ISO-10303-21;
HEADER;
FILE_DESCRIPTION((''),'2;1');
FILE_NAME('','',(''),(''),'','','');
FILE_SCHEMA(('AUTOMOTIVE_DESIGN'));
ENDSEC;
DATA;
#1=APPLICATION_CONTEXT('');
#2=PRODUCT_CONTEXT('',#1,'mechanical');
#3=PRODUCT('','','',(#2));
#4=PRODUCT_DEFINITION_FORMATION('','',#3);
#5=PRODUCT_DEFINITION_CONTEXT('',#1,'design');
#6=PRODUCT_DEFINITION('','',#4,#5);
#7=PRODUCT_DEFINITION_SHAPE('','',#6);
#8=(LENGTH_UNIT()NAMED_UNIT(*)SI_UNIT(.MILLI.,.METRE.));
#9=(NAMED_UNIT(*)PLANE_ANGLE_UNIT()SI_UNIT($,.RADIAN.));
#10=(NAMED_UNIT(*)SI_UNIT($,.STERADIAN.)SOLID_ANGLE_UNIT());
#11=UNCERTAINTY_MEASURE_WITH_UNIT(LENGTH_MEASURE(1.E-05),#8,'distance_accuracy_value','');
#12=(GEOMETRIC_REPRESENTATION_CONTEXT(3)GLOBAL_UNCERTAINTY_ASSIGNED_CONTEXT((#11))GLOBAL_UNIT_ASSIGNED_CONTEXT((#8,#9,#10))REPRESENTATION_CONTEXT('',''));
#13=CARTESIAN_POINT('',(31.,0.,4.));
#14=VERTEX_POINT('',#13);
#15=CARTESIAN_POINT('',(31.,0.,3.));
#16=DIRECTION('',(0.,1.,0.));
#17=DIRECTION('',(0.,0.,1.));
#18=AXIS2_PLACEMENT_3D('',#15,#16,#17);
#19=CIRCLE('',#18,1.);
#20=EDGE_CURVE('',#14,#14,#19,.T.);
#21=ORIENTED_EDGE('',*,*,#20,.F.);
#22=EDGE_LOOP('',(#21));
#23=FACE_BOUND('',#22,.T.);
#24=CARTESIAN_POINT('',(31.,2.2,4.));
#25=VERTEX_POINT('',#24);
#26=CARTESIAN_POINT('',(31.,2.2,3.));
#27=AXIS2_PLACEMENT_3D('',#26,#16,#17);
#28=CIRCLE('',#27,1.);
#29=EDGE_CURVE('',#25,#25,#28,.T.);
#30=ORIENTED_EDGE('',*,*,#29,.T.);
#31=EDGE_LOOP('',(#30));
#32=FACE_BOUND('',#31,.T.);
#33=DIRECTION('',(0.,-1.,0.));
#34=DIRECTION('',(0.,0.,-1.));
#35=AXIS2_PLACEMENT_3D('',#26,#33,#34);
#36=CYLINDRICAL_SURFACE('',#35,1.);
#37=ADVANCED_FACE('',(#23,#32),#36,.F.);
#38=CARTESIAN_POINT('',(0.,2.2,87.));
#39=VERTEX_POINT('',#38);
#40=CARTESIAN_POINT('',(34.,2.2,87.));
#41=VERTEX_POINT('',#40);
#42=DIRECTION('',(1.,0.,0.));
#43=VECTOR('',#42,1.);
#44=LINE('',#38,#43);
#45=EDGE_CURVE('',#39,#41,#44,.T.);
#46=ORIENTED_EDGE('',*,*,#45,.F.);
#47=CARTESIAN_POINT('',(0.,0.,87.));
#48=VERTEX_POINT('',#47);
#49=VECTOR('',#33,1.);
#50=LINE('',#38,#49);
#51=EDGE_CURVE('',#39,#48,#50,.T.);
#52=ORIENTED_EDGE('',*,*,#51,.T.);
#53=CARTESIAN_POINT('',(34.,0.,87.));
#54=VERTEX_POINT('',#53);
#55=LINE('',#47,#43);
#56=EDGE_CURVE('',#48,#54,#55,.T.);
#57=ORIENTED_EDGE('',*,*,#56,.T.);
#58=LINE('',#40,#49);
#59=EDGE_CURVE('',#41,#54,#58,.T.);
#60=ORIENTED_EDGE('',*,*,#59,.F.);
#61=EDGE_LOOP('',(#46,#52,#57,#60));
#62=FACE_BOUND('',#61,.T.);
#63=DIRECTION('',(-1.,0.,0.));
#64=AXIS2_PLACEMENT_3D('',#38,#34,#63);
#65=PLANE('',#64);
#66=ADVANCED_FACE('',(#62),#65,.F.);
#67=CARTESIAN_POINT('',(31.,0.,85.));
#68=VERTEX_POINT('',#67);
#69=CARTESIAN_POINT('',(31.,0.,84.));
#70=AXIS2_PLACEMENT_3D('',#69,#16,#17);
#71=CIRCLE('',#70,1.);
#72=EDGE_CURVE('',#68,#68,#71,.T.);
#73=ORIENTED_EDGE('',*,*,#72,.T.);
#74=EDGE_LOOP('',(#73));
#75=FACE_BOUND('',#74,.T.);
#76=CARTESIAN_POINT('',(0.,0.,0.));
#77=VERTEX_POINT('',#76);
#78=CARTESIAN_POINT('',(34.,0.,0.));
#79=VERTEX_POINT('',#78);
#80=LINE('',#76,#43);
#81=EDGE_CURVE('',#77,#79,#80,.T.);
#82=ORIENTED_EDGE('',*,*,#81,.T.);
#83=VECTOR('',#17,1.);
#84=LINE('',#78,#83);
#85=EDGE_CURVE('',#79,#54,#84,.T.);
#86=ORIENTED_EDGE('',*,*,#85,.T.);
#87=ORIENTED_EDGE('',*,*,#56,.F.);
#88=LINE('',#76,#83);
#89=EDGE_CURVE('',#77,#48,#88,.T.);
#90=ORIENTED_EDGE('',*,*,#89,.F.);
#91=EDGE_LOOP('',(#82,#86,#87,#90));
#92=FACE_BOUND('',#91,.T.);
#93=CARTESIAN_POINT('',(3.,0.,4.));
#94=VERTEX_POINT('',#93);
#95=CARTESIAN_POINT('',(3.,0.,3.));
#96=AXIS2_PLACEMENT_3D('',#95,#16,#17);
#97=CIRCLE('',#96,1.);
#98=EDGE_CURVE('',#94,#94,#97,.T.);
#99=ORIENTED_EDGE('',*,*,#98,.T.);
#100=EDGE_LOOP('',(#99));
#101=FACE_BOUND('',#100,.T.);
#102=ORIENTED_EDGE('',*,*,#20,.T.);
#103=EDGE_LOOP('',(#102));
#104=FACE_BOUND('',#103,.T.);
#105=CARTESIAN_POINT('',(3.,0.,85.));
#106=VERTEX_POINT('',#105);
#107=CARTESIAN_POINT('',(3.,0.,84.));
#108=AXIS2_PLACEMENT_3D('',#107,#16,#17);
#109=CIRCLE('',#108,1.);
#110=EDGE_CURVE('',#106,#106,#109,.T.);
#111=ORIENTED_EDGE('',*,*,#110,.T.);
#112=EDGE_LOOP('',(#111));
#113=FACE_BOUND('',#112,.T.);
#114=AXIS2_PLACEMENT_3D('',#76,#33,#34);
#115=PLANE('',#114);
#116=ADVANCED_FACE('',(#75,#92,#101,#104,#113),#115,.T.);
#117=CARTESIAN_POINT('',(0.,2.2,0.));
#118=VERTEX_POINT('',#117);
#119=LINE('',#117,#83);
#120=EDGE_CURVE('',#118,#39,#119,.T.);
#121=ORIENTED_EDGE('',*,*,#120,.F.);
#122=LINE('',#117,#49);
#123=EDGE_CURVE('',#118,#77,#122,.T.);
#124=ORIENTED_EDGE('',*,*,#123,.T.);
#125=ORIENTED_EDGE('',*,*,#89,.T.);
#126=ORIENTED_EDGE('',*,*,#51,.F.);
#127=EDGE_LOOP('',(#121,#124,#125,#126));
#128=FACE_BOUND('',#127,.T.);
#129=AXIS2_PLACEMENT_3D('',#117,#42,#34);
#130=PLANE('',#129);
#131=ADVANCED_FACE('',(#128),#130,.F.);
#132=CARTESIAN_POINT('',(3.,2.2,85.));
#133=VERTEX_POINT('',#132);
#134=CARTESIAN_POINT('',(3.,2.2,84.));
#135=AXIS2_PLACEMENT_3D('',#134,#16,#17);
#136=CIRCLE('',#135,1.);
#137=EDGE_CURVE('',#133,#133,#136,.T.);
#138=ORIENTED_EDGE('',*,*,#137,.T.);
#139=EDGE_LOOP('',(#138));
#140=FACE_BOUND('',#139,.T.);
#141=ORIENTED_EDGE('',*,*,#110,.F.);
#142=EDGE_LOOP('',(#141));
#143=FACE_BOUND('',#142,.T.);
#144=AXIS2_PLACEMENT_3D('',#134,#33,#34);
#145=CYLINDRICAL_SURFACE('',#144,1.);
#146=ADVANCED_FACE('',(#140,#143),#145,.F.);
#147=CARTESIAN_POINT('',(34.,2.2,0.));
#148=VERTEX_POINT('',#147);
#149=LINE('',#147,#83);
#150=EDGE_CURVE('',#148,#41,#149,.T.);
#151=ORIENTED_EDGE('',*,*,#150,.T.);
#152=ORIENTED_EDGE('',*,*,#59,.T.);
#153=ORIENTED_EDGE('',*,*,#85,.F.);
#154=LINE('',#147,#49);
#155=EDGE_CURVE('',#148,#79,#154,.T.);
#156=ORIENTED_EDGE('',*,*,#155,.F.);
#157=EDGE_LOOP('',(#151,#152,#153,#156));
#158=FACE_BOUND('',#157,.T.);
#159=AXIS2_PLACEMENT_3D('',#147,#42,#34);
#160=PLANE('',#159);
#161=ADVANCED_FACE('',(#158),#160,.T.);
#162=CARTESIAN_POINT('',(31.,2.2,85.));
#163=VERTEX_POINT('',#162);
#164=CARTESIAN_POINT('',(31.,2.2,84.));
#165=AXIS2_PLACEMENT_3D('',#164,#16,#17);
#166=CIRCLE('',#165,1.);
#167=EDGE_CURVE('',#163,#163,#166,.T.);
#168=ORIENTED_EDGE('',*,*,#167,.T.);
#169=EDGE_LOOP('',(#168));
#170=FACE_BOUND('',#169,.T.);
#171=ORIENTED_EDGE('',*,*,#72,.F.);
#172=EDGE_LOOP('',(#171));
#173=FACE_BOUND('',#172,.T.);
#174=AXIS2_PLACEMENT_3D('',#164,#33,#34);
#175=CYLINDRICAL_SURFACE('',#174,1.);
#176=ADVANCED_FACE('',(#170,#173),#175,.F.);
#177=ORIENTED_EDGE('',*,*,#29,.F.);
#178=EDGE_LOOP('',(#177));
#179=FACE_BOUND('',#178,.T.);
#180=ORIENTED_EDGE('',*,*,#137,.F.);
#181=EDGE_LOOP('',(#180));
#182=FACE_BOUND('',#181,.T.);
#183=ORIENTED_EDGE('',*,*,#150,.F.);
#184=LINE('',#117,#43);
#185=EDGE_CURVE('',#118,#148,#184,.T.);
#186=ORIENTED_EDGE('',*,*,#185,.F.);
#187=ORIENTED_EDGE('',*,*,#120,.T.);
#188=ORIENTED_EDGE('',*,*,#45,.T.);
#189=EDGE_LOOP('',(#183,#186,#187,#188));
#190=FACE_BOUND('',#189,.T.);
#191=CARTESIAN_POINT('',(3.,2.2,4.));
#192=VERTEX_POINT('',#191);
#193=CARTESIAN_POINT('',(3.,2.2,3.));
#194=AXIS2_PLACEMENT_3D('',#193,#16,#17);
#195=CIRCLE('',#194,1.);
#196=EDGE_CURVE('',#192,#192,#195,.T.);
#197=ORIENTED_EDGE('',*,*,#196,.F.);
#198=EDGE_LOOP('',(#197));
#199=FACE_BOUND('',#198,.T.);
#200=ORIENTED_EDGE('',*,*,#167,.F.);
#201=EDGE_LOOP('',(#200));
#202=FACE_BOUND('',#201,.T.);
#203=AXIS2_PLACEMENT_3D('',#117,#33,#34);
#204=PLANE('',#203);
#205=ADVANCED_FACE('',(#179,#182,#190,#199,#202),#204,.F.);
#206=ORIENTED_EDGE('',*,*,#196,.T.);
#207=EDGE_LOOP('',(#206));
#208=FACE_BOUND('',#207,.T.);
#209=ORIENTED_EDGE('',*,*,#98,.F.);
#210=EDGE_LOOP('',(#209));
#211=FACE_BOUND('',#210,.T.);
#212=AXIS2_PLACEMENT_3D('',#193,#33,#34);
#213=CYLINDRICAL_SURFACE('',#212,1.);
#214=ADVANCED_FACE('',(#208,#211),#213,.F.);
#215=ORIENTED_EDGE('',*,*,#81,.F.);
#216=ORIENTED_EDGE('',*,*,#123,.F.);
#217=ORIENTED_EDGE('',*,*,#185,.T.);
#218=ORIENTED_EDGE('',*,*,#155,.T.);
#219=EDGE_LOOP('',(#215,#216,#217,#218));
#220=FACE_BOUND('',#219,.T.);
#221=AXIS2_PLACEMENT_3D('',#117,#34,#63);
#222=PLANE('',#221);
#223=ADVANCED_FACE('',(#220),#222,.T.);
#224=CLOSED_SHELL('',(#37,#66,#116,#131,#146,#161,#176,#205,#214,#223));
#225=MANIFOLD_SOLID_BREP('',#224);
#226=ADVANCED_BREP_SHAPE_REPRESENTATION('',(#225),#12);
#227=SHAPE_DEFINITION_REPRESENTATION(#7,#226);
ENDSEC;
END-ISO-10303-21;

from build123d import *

# Parameters (mm, degrees)
SKETCH_1_W      = 34
SKETCH_1_H      = 87
SKETCH_1_R      = 1
EXTRUDE_1_DEPTH = 2.2


with BuildPart() as part:
    # 草图1 → 凸台-拉伸1 (new body)
    with BuildSketch(Plane(origin=(0, 0, 0), x_dir=(1, 0, 0), z_dir=(0, 1, 0))):
        with Locations((17, -43.5)):
            Rectangle(SKETCH_1_W, SKETCH_1_H)
        with Locations(Location((3, -3, 0), (0, 0, 270))):
            Circle(SKETCH_1_R, mode=Mode.SUBTRACT)
        with Locations(Location((31, -3, 0), (0, 0, 270))):
            Circle(SKETCH_1_R, mode=Mode.SUBTRACT)
        with Locations(Location((31, -84, 0), (0, 0, 270))):
            Circle(SKETCH_1_R, mode=Mode.SUBTRACT)
        with Locations(Location((3, -84, 0), (0, 0, 270))):
            Circle(SKETCH_1_R, mode=Mode.SUBTRACT)
    extrude(amount=EXTRUDE_1_DEPTH)


solid = part.part
